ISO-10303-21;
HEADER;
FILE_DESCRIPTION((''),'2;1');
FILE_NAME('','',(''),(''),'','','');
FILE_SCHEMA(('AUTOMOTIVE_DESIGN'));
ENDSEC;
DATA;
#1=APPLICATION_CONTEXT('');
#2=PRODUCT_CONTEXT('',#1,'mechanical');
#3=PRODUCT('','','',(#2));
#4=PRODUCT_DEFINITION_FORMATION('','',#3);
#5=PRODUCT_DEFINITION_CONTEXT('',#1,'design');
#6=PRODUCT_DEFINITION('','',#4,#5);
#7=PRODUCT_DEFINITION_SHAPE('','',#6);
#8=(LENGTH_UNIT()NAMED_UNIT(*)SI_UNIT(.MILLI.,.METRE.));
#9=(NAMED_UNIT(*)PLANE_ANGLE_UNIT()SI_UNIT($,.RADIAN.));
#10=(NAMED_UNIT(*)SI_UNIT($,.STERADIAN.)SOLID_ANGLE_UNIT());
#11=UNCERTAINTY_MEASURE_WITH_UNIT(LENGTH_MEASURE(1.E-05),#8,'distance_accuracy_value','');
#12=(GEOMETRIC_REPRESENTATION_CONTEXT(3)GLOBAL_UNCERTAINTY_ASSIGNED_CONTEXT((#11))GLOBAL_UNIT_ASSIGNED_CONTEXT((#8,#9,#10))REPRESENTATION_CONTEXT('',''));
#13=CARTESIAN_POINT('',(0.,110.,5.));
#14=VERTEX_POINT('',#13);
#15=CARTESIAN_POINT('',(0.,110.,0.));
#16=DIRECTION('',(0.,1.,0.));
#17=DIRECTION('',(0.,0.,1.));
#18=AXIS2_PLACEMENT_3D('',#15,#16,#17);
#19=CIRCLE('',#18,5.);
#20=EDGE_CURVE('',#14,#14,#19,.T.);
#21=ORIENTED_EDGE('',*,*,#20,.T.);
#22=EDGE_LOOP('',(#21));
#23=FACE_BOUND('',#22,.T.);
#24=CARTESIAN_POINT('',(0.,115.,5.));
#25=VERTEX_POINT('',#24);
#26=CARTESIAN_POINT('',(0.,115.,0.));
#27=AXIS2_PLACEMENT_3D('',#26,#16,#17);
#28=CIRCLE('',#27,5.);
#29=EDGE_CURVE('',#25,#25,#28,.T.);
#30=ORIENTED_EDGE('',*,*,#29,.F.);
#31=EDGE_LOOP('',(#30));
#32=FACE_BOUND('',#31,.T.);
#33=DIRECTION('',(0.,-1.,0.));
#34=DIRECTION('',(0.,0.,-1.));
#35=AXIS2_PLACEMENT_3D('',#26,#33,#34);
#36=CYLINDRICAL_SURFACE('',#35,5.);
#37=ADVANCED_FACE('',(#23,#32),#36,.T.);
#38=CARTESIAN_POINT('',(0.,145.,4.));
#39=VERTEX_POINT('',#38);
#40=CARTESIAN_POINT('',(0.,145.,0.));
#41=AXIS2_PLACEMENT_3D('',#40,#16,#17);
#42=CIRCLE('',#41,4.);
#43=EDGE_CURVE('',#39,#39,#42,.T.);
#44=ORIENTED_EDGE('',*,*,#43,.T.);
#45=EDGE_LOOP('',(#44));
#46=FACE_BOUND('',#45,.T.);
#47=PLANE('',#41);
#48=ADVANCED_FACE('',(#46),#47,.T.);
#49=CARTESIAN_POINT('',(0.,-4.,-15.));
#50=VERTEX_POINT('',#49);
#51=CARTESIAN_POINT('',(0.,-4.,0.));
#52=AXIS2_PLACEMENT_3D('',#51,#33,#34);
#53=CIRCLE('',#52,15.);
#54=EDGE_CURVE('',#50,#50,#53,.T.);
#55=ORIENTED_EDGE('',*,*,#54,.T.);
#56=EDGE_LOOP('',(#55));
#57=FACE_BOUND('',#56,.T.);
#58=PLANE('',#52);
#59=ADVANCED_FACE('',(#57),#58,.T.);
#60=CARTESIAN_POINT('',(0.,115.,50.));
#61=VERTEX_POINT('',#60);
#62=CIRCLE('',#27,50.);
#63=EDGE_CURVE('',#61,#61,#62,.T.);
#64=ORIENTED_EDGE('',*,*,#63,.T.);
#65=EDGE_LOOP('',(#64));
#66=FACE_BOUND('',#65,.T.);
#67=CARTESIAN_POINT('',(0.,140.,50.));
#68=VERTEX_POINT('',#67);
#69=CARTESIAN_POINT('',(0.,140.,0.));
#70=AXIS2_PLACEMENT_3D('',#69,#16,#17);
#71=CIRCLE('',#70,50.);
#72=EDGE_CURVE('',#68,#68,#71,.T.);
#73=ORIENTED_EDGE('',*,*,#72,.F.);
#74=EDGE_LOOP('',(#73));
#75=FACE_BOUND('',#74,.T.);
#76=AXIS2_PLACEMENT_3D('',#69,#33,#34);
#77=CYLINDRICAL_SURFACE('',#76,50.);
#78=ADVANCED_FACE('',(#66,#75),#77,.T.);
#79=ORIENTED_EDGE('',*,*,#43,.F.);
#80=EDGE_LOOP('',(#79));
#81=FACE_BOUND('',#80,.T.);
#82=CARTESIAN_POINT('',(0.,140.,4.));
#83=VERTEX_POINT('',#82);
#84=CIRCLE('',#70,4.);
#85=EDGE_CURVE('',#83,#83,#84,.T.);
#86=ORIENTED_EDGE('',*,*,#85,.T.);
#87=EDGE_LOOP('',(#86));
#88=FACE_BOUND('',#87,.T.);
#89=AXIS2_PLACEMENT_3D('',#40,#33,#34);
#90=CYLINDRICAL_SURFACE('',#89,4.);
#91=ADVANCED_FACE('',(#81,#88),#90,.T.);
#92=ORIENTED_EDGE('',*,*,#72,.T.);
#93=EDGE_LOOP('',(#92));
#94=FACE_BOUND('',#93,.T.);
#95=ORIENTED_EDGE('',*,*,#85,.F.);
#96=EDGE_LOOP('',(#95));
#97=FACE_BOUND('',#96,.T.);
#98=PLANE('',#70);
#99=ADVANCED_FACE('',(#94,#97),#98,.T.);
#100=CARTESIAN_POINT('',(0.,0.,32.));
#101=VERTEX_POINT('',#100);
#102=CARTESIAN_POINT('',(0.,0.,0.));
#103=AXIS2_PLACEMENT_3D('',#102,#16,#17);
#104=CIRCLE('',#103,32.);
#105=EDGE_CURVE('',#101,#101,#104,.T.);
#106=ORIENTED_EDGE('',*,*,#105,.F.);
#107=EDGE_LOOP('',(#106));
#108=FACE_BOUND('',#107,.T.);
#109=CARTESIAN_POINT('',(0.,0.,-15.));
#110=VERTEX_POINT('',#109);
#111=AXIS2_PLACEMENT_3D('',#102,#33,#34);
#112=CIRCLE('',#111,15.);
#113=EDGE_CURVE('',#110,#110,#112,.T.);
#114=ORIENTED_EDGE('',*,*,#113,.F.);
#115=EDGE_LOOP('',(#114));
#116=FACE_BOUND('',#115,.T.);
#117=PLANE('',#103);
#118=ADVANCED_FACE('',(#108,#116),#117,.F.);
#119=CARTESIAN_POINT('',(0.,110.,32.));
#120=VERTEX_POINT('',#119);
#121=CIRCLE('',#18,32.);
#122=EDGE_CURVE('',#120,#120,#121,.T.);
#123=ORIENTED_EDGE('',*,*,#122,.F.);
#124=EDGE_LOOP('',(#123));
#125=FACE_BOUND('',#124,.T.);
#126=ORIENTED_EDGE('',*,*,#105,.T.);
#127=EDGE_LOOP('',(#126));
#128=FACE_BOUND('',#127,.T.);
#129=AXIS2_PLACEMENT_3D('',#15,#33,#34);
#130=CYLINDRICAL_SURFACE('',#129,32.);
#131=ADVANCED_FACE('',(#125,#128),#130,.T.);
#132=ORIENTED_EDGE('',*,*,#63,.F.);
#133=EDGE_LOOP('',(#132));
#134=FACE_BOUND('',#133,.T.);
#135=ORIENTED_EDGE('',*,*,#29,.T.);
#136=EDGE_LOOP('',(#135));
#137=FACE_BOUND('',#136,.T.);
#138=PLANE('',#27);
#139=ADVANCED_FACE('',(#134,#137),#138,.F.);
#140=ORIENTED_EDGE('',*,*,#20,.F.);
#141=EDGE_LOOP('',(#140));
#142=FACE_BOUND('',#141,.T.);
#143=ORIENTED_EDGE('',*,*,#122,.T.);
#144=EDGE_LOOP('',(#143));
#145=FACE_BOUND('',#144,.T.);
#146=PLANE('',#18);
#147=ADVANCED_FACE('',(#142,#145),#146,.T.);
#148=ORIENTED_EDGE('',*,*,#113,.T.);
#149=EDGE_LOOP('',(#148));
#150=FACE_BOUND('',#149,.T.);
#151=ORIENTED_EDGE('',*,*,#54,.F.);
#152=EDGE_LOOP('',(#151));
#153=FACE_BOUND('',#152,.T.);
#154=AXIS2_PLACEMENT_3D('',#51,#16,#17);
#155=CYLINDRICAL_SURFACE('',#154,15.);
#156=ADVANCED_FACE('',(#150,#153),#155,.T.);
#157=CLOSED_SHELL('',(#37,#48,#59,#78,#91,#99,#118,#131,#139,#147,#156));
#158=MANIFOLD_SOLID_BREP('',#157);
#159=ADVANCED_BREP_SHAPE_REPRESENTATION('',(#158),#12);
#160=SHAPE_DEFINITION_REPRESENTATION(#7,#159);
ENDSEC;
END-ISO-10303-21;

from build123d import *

# Parameters (mm, degrees)
SKETCH1_R           = 32
BOSS_EXTRUDE1_DEPTH = 110
SKETCH2_R           = 5
BOSS_EXTRUDE2_DEPTH = 5
SKETCH3_R           = 50
BOSS_EXTRUDE3_DEPTH = 25
SKETCH4_R           = 4
BOSS_EXTRUDE4_DEPTH = 5
SKETCH5_R           = 15
BOSS_EXTRUDE5_DEPTH = 4


with BuildPart() as part:
    # Sketch1 → Boss-Extrude1 (new body)
    with BuildSketch(Plane(origin=(0, 0, 0), x_dir=(1, 0, 0), z_dir=(0, 1, 0))):
        Circle(SKETCH1_R)
    extrude(amount=BOSS_EXTRUDE1_DEPTH)

    # Sketch2 → Boss-Extrude2 (add)
    with BuildSketch(Plane(origin=(0, 110, 0), x_dir=(1, 0, 0), z_dir=(0, 1, 0))):
        Circle(SKETCH2_R)
    extrude(amount=BOSS_EXTRUDE2_DEPTH)

    # Sketch3 → Boss-Extrude3 (add)
    with BuildSketch(Plane(origin=(0, 115, 0), x_dir=(1, 0, 0), z_dir=(0, 1, 0))):
        Circle(SKETCH3_R)
    extrude(amount=BOSS_EXTRUDE3_DEPTH)

    # Sketch4 → Boss-Extrude4 (add)
    with BuildSketch(Plane(origin=(0, 140, 0), x_dir=(1, 0, 0), z_dir=(0, 1, 0))):
        Circle(SKETCH4_R)
    extrude(amount=BOSS_EXTRUDE4_DEPTH)

    # Sketch5 → Boss-Extrude5 (add)
    with BuildSketch(Plane.XZ):
        Circle(SKETCH5_R)
    extrude(amount=BOSS_EXTRUDE5_DEPTH)


solid = part.part
